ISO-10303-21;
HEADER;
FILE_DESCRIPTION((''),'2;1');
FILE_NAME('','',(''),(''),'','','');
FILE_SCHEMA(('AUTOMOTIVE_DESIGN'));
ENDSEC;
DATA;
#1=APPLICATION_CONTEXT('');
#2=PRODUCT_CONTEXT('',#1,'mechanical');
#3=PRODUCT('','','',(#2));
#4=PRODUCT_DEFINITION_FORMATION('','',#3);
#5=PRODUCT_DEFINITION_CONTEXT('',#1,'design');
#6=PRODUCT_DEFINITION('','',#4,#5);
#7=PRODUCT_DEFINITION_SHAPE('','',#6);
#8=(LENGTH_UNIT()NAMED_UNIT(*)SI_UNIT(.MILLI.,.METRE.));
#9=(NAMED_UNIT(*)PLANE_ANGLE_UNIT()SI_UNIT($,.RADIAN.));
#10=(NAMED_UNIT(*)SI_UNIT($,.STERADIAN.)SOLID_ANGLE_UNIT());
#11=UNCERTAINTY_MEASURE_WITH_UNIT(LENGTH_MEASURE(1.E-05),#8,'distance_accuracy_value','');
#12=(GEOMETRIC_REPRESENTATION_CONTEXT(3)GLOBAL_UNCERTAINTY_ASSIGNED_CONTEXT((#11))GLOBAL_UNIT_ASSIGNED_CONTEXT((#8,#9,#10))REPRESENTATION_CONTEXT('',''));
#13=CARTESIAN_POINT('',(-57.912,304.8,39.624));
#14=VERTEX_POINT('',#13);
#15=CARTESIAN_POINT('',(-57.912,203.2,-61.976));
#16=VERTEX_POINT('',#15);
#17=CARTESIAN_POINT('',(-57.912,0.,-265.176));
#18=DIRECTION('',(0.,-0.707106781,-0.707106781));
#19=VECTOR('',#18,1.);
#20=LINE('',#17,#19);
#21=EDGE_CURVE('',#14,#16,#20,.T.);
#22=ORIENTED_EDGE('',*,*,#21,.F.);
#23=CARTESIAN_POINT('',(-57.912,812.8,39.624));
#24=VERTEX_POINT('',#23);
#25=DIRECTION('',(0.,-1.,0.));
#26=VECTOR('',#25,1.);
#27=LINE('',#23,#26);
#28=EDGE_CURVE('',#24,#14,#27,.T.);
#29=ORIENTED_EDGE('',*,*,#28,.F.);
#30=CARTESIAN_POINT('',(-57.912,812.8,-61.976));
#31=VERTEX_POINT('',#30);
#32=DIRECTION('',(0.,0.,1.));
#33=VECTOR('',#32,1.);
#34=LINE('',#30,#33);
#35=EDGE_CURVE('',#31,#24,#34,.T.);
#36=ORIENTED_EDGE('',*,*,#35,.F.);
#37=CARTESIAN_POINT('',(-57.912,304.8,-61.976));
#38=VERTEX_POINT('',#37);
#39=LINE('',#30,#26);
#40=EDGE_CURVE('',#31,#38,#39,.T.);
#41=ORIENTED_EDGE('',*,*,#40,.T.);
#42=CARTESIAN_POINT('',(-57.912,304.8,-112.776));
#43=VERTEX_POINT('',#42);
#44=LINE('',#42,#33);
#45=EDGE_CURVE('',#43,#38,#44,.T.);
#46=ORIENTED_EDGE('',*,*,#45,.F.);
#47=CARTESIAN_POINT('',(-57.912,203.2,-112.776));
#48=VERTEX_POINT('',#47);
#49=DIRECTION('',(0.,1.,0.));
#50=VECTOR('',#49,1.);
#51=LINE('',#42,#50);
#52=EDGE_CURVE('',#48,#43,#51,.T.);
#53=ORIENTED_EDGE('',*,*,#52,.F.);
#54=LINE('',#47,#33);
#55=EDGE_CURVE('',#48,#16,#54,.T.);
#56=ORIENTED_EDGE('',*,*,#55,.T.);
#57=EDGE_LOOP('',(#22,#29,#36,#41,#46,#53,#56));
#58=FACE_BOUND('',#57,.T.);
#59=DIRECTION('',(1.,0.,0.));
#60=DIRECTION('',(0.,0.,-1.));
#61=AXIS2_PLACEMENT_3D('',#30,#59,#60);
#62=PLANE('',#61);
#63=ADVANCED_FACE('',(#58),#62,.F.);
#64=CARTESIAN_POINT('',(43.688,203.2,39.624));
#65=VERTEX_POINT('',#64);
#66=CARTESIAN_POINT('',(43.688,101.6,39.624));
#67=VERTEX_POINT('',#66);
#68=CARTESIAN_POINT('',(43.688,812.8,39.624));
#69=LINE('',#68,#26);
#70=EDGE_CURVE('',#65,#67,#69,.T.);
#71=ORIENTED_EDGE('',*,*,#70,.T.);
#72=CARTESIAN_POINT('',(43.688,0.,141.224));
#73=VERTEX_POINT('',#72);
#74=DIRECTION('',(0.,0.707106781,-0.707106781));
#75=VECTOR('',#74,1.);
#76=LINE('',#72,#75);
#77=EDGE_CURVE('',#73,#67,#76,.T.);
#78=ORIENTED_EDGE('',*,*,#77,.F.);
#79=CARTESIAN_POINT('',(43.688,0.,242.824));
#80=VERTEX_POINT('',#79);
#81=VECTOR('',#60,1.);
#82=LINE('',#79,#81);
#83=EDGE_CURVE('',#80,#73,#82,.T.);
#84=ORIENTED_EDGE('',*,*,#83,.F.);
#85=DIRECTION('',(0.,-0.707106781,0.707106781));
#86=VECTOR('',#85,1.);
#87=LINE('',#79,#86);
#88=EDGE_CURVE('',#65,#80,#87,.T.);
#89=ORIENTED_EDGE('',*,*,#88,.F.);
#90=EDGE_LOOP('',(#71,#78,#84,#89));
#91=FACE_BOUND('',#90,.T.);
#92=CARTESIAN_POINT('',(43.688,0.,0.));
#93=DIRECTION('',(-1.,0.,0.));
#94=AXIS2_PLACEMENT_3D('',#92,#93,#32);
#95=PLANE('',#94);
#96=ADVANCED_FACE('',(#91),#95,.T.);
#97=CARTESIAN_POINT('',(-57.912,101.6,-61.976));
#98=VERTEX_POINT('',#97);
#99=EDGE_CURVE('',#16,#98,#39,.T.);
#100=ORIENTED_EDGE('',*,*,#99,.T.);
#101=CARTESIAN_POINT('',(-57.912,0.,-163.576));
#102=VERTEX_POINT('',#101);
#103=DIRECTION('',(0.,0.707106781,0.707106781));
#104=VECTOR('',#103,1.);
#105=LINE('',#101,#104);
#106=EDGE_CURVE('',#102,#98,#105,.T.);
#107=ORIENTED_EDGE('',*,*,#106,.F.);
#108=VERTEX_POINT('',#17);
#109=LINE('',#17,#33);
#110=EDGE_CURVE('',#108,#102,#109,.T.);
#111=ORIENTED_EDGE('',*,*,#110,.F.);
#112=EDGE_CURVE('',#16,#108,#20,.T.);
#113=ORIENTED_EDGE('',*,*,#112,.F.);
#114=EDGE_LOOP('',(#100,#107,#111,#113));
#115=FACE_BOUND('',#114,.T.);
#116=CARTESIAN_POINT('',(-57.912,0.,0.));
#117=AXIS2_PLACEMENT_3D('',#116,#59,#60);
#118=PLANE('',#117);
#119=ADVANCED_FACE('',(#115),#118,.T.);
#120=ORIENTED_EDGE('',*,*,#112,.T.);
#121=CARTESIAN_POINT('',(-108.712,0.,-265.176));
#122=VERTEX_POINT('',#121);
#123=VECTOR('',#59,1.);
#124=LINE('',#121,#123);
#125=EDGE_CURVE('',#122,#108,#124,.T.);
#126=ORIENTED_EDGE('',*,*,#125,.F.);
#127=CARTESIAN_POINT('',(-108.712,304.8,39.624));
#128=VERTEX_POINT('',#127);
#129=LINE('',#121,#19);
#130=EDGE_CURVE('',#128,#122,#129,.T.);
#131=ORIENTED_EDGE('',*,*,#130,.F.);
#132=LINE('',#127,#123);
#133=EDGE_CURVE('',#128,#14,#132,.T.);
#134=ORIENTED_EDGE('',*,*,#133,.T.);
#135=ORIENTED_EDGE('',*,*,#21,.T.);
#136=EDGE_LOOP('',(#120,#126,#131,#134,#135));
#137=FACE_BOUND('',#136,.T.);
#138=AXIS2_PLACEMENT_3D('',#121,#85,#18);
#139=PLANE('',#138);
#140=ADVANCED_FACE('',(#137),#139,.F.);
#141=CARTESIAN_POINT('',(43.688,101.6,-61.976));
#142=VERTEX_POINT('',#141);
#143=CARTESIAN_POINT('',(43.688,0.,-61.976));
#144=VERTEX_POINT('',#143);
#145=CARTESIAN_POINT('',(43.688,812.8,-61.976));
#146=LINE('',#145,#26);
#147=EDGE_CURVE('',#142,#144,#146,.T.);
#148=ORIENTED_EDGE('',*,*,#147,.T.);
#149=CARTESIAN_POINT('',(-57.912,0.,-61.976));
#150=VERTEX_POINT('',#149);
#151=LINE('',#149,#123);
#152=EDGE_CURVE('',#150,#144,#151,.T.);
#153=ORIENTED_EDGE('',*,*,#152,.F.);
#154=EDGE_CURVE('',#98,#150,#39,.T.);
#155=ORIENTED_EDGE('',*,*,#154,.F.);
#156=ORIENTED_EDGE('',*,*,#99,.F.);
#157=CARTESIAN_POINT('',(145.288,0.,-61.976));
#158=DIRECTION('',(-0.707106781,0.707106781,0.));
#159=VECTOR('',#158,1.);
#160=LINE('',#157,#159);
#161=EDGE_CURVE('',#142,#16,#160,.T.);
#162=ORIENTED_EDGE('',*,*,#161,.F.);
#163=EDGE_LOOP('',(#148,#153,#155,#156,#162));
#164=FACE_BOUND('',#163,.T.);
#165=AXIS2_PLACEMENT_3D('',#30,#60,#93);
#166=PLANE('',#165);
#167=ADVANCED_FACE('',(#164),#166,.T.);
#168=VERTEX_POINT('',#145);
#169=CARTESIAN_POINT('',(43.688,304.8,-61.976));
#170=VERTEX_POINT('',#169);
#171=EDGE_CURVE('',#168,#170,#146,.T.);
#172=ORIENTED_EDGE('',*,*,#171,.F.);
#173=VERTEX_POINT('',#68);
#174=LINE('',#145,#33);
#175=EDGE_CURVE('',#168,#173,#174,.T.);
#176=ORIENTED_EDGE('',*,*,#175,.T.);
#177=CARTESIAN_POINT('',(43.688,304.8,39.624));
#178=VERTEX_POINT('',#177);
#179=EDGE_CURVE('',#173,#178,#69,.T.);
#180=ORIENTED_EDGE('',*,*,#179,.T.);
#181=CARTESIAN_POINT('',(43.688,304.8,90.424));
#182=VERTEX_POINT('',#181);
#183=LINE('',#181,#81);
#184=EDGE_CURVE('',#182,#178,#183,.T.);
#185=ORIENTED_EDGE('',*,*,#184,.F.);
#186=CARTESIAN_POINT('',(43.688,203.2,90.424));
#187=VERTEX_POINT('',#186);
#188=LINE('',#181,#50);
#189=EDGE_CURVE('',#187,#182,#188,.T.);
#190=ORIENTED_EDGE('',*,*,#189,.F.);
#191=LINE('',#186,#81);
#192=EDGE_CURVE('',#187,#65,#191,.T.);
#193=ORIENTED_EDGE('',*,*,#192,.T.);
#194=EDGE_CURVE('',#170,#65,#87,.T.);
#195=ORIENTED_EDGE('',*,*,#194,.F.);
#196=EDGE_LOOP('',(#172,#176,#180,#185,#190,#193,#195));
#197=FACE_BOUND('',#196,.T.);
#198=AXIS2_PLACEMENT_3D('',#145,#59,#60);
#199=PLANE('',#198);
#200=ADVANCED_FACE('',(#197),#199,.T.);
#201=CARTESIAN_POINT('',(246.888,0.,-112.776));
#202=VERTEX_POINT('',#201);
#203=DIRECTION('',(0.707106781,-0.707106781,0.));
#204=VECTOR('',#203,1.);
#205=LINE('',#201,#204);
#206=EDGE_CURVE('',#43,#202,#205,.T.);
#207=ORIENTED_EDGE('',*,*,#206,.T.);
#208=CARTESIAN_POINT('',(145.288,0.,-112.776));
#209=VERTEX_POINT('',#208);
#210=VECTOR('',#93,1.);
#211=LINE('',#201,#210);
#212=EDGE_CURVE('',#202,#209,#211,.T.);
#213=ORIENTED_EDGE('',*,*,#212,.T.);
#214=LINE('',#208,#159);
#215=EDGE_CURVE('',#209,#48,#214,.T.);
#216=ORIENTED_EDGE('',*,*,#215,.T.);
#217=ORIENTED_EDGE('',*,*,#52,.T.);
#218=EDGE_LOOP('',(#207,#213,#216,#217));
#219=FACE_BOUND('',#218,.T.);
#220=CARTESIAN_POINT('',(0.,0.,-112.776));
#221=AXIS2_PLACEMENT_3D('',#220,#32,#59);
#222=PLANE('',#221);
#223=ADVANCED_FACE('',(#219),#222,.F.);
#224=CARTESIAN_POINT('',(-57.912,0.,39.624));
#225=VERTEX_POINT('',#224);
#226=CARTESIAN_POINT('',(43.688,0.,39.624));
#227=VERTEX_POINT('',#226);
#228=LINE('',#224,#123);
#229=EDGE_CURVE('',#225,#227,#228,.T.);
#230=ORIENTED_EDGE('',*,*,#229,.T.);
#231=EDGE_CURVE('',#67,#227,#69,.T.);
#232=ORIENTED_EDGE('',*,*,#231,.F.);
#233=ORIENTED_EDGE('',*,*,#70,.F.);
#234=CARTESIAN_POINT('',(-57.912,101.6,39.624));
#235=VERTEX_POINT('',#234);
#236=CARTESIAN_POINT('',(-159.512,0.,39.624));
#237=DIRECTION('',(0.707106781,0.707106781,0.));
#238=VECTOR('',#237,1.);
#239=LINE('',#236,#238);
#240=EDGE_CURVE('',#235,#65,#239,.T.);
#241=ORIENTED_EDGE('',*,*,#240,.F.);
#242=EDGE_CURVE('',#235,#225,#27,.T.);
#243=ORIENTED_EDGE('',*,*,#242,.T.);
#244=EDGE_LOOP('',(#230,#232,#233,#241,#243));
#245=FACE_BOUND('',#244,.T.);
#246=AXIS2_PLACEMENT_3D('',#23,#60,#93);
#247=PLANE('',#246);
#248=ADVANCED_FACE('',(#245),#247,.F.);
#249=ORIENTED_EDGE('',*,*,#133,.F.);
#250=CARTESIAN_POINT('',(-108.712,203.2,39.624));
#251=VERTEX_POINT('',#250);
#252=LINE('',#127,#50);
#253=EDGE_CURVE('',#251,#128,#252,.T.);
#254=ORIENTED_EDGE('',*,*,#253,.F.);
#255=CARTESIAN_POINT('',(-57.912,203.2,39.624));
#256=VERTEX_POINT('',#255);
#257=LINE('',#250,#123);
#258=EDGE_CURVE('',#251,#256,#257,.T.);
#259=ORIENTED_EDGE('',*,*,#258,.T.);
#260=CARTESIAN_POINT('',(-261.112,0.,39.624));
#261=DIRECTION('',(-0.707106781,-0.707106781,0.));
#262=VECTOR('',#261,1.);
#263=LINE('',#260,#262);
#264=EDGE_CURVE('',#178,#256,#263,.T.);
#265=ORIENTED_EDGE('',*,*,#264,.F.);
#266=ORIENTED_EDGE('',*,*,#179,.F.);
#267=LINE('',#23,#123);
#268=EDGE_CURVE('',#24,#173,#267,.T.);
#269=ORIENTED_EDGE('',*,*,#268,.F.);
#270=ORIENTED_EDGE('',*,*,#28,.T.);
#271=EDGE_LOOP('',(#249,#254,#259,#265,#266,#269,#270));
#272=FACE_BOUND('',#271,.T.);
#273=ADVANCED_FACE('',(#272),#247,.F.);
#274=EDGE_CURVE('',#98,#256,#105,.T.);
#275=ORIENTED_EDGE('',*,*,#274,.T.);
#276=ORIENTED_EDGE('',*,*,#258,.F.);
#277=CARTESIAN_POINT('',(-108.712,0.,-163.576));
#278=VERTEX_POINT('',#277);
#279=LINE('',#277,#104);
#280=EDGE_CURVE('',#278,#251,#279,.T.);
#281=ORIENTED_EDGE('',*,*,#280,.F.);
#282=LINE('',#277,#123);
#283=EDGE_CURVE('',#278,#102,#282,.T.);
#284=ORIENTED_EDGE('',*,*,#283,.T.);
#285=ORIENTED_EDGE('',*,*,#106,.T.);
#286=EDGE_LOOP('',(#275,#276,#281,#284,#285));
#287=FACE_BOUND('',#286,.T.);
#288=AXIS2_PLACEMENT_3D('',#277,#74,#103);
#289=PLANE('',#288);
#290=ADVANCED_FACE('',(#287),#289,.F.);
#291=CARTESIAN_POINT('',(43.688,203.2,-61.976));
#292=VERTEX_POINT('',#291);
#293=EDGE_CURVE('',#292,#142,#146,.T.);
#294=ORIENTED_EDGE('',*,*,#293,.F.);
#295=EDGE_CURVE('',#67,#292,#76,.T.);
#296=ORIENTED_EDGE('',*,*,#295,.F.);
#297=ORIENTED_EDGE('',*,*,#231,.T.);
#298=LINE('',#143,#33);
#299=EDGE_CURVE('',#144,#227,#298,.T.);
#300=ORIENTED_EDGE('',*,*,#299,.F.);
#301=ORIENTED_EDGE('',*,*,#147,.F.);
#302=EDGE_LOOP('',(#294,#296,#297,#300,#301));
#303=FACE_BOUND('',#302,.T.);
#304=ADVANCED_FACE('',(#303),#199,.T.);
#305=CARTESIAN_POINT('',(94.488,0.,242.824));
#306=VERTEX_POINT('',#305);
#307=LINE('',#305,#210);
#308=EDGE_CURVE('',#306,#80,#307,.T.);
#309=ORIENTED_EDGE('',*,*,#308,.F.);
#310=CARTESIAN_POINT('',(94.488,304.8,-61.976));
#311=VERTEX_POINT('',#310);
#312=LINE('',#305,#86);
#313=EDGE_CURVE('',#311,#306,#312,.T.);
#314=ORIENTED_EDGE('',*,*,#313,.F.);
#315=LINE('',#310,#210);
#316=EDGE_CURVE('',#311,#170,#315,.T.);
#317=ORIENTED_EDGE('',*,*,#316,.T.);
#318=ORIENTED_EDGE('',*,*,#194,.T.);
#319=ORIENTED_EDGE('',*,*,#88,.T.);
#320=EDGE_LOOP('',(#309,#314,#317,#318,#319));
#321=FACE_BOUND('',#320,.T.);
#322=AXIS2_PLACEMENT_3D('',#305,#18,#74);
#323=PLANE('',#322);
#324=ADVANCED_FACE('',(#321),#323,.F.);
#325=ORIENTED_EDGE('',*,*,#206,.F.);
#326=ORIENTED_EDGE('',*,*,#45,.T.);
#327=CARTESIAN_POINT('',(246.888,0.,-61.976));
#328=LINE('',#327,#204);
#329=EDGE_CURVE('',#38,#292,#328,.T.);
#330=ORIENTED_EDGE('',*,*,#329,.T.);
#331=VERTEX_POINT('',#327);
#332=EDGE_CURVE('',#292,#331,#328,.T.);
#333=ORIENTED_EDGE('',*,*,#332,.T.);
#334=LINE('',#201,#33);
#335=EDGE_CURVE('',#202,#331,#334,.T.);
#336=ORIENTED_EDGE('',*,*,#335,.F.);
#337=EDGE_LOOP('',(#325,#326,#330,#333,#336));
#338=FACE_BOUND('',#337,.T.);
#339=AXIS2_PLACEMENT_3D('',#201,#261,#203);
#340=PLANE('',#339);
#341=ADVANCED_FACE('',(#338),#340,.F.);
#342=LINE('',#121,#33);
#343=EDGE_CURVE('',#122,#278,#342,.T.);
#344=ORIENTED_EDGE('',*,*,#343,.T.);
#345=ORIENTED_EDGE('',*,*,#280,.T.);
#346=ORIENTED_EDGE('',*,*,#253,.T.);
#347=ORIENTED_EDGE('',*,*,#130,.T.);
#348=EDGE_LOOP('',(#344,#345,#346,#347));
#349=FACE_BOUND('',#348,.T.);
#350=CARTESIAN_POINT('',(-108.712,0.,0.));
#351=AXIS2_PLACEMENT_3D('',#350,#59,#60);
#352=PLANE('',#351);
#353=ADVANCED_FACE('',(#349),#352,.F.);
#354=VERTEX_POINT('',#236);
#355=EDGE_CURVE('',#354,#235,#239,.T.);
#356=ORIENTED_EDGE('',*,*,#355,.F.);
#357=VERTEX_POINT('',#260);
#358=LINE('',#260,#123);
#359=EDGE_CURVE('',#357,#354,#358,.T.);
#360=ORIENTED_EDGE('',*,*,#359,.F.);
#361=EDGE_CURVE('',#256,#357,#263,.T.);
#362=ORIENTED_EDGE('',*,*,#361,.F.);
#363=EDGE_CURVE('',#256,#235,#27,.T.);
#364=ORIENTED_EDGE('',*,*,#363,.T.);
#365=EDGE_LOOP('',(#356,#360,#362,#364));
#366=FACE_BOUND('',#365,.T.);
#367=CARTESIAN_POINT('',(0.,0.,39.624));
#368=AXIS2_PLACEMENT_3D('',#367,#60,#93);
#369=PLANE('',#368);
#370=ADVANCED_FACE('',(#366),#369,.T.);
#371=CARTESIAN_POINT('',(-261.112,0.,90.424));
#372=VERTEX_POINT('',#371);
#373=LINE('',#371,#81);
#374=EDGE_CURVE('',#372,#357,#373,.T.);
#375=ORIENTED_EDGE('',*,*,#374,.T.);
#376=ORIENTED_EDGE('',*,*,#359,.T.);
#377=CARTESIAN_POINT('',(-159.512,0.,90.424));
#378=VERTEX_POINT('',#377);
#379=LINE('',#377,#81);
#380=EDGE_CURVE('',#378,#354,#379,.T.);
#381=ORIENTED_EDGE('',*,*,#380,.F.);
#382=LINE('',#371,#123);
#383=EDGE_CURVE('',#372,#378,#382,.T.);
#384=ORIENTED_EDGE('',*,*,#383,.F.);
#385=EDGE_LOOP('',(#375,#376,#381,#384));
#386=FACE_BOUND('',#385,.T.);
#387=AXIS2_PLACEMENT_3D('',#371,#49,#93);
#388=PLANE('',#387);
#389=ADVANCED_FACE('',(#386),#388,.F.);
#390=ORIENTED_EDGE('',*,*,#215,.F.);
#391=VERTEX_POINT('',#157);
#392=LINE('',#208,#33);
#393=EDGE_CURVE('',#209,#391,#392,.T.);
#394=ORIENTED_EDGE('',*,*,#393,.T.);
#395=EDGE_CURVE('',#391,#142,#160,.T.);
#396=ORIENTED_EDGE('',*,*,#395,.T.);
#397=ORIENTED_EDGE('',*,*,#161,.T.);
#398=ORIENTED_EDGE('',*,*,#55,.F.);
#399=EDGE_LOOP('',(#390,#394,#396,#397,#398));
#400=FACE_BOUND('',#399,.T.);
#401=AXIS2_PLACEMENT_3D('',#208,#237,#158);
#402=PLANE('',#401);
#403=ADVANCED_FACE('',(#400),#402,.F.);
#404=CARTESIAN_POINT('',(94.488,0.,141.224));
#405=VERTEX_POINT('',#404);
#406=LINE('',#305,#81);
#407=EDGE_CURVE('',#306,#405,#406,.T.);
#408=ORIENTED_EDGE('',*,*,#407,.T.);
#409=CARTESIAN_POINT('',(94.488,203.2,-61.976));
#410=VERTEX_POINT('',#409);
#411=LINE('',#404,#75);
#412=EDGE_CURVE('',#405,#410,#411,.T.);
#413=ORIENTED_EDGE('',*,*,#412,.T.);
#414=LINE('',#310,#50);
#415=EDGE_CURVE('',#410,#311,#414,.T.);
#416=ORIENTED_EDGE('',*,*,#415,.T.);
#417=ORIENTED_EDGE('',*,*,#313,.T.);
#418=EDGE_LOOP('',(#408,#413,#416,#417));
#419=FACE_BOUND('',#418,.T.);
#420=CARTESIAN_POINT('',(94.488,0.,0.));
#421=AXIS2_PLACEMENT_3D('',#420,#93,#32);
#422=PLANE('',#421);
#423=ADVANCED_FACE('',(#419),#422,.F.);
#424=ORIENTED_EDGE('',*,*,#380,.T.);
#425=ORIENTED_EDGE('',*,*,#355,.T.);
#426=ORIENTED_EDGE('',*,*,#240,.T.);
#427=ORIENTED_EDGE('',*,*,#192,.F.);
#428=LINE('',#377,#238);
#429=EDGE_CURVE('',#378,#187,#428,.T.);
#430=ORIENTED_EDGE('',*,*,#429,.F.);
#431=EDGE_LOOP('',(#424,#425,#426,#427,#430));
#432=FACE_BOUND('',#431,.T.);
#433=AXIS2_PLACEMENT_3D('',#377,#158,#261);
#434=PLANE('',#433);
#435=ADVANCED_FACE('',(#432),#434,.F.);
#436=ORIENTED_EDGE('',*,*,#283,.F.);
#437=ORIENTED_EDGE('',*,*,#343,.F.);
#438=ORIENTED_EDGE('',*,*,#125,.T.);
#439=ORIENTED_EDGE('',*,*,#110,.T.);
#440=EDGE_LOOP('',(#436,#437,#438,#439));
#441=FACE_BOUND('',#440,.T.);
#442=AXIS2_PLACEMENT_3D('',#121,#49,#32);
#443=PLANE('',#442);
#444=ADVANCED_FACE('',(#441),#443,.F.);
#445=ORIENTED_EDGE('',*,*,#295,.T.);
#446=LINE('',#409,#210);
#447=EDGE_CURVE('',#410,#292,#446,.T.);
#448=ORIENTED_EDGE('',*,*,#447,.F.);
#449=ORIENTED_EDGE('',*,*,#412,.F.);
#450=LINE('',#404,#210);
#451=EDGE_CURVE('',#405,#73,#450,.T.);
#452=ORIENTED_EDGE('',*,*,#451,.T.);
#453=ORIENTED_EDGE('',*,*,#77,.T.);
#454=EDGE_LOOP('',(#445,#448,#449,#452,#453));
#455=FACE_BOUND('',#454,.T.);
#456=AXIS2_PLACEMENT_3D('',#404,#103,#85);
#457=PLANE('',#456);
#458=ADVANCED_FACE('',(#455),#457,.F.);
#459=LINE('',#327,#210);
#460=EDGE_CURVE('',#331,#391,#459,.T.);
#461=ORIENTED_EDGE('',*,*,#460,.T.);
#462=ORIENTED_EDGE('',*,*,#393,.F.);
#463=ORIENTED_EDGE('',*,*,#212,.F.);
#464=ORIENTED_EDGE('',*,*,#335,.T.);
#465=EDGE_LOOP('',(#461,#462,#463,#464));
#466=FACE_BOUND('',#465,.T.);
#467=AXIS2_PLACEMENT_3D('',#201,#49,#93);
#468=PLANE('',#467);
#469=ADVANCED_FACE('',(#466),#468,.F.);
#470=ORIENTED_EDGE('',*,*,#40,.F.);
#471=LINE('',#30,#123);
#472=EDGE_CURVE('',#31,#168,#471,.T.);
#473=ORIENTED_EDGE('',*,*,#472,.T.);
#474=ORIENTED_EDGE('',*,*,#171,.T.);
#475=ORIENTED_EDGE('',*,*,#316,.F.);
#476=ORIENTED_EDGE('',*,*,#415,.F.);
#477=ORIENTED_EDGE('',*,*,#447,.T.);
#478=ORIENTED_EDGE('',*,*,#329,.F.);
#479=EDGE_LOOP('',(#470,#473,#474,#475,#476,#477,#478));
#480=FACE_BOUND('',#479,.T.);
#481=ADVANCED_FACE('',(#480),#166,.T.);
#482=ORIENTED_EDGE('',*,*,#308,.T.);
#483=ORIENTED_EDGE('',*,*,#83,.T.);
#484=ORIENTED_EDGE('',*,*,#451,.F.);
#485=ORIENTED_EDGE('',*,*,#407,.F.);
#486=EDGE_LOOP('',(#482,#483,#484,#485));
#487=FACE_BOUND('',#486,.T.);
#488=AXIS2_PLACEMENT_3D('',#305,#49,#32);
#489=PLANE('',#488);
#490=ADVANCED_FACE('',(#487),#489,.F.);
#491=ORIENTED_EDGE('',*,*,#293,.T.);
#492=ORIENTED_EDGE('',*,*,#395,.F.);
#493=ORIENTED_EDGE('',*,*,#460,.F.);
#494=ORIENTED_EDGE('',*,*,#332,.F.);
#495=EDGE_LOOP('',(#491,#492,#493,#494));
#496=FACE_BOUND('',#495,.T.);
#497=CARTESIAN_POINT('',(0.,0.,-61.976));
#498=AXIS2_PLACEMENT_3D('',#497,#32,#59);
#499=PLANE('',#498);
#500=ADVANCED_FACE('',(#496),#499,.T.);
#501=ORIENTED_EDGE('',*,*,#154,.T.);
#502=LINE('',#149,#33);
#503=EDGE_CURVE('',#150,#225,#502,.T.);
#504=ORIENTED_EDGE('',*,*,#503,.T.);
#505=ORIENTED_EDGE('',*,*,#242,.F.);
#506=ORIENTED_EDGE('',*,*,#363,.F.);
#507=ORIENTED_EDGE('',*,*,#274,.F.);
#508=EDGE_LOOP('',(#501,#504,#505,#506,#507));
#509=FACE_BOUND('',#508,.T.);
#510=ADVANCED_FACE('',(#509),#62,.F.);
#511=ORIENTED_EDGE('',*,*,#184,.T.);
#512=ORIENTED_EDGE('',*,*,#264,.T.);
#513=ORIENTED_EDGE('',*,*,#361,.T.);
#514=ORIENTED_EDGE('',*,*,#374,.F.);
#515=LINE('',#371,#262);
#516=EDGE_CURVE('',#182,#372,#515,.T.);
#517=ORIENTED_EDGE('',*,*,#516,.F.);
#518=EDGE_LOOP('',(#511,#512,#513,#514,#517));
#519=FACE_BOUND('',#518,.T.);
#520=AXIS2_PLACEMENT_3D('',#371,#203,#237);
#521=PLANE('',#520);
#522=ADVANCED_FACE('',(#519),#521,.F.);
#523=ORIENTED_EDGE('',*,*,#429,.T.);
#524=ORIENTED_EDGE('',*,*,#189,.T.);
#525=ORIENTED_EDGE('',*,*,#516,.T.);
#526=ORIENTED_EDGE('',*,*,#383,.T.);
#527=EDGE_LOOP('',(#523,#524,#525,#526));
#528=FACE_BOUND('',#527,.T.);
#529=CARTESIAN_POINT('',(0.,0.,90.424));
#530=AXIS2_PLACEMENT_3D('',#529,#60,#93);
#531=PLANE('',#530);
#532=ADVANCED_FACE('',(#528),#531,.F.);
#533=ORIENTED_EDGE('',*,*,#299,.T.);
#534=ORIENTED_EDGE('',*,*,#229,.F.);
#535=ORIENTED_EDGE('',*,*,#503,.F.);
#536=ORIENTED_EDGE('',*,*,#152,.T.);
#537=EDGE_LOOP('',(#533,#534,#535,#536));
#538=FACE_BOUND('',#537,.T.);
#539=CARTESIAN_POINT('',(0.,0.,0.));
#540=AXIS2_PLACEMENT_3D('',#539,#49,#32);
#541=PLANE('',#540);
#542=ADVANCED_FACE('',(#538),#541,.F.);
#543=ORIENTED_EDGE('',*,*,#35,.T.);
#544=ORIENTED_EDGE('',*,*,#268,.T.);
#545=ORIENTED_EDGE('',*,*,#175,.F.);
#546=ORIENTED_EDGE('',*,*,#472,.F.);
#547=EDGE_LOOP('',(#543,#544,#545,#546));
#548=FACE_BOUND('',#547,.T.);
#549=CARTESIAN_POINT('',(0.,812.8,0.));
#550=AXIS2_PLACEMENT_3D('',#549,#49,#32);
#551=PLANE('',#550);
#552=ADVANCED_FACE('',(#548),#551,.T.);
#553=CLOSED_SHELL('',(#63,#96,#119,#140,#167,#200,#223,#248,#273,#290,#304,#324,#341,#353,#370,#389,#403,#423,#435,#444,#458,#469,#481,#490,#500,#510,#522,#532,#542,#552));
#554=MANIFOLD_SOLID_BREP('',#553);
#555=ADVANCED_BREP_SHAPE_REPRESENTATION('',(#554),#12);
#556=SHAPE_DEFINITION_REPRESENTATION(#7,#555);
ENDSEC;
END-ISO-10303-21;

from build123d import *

# Parameters (mm, degrees)
SKETCH1_W           = 101.6
SKETCH1_H           = 101.6
BOSS_EXTRUDE1_DEPTH = 812.8
BOSS_EXTRUDE2_DEPTH = 50.8
BOSS_EXTRUDE3_DEPTH = 50.8
BOSS_EXTRUDE4_DEPTH = 50.8
BOSS_EXTRUDE6_DEPTH = 50.8


with BuildPart() as part:
    # Sketch1 → Boss-Extrude1 (new body)
    with BuildSketch(Plane(origin=(0, 0, 0), x_dir=(1, 0, 0), z_dir=(0, 1, 0))):
        with Locations((-7.112, 11.176)):
            Rectangle(SKETCH1_W, SKETCH1_H)
    extrude(amount=BOSS_EXTRUDE1_DEPTH)

    # Sketch2 → Boss-Extrude2 (add)
    with BuildSketch(Plane.ZY.offset(57.912)):
        Polygon((-163.576, 0), (39.624, 203.2), (39.624, 304.8), (-265.176, 0), align=None)
    extrude(amount=BOSS_EXTRUDE2_DEPTH)

    # Sketch3 → Boss-Extrude3 (add)
    with BuildSketch(Plane(origin=(0, 0, -61.976), x_dir=(-1, 0, 0), z_dir=(0, 0, -1))):
        Polygon((-145.288, 0), (57.912, 203.2), (57.912, 304.8), (-246.888, 0), align=None)
    extrude(amount=BOSS_EXTRUDE3_DEPTH)

    # Sketch5 → Boss-Extrude4 (add)
    with BuildSketch(Plane.XY.offset(39.624)):
        Polygon((-159.512, 0), (43.688, 203.2), (43.688, 304.8), (-261.112, 0), align=None)
    extrude(amount=BOSS_EXTRUDE4_DEPTH)

    # Sketch7 → Boss-Extrude6 (add)
    with BuildSketch(Plane(origin=(43.688, 0, 0), x_dir=(0, 0, -1), z_dir=(1, 0, 0))):
        Polygon((-141.224, 0), (61.976, 203.2), (61.976, 304.8), (-242.824, 0), align=None)
    extrude(amount=BOSS_EXTRUDE6_DEPTH)


solid = part.part
